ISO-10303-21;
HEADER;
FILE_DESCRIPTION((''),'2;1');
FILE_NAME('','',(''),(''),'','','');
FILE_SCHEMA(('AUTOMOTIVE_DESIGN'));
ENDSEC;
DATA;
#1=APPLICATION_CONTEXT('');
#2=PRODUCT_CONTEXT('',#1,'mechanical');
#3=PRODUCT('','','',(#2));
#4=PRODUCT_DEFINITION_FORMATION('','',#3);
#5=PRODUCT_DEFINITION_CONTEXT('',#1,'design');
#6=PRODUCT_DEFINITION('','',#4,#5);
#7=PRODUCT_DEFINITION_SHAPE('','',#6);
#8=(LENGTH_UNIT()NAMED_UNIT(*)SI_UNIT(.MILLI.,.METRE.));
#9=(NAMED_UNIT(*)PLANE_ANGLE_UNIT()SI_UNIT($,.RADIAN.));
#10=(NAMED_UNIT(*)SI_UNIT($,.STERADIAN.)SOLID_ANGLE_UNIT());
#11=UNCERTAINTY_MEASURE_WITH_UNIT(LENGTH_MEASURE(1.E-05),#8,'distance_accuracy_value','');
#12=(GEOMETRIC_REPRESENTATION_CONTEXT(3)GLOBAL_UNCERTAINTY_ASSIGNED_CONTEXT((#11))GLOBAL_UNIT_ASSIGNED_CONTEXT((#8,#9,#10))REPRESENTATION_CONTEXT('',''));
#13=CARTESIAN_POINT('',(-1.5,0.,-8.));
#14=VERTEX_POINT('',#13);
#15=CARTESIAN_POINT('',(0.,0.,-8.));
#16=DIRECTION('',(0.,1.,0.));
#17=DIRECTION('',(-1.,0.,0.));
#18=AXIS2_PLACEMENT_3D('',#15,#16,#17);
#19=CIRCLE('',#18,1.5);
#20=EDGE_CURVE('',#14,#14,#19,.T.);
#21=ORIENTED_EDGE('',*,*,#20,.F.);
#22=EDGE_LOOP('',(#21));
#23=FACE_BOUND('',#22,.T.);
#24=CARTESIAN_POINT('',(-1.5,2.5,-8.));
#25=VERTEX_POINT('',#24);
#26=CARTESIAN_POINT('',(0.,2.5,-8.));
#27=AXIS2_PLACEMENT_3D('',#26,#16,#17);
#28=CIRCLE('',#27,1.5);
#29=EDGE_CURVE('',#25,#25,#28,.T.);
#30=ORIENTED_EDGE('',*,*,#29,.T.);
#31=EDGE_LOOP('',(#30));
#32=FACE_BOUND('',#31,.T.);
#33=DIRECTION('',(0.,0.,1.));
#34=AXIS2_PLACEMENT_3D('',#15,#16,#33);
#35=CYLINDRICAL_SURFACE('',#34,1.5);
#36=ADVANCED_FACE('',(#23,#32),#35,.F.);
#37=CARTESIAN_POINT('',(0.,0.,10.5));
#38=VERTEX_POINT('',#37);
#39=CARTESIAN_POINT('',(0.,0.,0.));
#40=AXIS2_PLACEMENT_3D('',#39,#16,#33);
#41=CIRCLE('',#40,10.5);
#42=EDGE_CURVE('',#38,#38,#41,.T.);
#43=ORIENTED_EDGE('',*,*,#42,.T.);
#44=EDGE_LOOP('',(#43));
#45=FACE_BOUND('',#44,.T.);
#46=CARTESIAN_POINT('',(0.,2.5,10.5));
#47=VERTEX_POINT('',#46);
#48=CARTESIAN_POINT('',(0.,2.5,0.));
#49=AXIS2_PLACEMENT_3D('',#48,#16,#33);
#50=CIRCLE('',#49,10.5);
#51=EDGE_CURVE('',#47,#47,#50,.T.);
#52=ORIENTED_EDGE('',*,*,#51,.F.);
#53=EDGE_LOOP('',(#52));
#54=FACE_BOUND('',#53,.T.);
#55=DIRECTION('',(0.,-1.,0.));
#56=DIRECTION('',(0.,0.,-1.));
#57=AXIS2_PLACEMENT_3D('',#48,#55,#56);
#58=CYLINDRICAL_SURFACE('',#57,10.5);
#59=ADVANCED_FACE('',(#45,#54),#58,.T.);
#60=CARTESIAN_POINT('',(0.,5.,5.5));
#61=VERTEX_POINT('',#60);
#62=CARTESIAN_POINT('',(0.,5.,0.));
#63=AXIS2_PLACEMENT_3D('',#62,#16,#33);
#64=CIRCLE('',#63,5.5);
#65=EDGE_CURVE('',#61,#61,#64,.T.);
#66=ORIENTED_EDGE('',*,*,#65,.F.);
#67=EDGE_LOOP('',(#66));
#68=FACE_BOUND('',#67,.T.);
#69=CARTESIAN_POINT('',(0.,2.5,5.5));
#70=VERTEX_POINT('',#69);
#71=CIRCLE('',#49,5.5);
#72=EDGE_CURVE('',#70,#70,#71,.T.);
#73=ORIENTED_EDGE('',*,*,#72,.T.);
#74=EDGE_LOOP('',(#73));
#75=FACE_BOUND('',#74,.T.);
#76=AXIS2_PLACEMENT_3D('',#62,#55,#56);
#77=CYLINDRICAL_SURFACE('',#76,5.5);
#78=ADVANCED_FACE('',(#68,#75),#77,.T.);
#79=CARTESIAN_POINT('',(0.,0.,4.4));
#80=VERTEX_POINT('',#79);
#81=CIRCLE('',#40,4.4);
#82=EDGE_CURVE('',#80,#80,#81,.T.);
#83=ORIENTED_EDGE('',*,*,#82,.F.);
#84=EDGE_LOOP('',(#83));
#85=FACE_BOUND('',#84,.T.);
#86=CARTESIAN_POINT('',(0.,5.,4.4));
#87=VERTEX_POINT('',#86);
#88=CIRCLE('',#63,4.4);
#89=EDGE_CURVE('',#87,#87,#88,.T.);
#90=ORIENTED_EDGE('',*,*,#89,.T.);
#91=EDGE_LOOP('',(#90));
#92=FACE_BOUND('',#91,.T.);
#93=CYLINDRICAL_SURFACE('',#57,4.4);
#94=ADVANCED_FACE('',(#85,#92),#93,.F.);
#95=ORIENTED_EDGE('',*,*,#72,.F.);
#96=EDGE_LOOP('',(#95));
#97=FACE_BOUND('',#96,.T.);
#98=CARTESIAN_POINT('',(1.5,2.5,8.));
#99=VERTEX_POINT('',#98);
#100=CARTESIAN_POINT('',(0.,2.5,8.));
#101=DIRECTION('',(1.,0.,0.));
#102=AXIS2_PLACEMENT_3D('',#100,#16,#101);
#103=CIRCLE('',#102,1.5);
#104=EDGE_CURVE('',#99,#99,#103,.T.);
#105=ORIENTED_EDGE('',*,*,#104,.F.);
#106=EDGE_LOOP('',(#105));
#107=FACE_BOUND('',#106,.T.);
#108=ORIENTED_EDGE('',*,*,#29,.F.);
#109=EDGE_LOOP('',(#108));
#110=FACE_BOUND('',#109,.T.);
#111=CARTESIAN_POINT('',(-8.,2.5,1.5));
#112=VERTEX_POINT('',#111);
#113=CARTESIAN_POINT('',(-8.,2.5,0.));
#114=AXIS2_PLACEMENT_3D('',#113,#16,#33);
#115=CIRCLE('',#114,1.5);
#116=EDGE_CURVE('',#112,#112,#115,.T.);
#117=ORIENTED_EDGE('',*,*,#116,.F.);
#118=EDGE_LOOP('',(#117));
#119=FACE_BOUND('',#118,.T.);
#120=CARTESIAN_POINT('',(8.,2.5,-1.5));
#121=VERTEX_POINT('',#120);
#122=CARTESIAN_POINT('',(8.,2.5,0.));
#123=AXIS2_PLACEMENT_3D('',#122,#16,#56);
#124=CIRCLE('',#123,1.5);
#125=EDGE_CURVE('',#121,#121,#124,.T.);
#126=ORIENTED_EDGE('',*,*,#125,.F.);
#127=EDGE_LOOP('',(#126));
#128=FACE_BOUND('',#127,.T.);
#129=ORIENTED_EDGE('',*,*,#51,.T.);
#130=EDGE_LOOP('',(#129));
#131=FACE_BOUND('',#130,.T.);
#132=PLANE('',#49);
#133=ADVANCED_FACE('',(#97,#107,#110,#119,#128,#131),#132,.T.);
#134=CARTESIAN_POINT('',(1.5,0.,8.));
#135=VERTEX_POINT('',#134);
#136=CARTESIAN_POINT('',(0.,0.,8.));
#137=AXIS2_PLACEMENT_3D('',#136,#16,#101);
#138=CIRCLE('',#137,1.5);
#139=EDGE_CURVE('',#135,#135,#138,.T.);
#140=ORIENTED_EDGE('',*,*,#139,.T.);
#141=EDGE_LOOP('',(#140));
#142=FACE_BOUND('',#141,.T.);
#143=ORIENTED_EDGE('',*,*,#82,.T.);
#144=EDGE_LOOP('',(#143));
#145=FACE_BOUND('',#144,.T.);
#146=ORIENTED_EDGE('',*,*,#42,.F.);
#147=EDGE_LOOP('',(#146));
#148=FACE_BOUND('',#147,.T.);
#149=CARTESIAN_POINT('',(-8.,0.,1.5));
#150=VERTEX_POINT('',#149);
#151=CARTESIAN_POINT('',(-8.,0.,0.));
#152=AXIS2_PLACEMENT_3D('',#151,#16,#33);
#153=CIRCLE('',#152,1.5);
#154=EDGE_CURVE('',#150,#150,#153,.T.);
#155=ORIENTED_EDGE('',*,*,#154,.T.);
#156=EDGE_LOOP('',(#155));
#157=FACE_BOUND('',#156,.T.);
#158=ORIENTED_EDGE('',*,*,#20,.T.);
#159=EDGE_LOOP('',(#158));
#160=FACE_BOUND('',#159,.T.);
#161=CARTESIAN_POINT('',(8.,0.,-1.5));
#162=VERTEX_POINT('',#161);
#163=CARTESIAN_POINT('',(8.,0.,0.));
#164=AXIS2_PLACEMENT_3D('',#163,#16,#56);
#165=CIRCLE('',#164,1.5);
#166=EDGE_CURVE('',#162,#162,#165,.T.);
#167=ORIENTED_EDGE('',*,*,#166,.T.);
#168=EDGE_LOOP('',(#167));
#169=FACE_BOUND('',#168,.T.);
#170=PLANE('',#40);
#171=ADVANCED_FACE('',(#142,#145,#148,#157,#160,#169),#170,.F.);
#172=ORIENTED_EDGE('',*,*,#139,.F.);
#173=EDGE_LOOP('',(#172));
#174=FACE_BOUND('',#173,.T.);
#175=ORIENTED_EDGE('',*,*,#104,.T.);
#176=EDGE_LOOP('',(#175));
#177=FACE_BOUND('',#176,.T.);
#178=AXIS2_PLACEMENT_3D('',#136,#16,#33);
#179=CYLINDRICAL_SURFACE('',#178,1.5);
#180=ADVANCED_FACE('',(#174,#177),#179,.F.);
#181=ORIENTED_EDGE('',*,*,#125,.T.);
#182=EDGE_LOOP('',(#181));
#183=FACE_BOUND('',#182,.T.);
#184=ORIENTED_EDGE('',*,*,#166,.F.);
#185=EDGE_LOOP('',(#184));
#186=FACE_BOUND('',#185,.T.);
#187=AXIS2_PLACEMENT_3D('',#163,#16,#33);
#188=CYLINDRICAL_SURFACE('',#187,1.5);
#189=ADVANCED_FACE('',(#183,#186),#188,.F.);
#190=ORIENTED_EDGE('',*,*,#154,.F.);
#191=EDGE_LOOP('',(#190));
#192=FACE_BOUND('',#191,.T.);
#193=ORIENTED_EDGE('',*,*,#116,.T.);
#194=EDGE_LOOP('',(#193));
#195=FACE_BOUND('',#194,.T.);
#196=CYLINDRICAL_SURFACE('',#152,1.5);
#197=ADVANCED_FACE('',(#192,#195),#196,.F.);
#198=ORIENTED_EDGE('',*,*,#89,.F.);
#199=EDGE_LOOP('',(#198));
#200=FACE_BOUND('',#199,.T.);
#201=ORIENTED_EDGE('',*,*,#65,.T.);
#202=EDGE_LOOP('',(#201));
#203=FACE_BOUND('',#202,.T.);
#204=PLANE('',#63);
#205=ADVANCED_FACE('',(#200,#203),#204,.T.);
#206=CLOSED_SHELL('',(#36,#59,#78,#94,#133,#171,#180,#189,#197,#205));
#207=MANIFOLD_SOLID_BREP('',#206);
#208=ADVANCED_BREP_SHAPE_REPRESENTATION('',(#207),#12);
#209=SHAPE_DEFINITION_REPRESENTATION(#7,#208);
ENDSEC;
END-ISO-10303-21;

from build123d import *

# Parameters (mm, degrees)
SKETCH_1_R               = 10.5
SKETCH_1_R_2             = 4.4
EXTRUDE_1_DEPTH          = 2.5
SKETCH_2_R               = 5.5
SKETCH_2_R_2             = 4.4
EXTRUDE_2_DEPTH          = 2.5
SKETCH_3_R               = 1.5
CUT_EXTRUDE_1_DEPTH      = 3.5
PATTERN_CIRCULAR_2_COUNT = 4


with BuildPart() as part:
    # Эскиз1 → Бобышка-Вытянуть1 (new body)
    with BuildSketch(Plane(origin=(0, 0, 0), x_dir=(1, 0, 0), z_dir=(0, 1, 0))):
        Circle(SKETCH_1_R)
        Circle(SKETCH_1_R_2, mode=Mode.SUBTRACT)
    extrude(amount=EXTRUDE_1_DEPTH)

    # Эскиз2 → Бобышка-Вытянуть2 (add)
    with BuildSketch(Plane(origin=(0, 2.5, 0), x_dir=(1, 0, 0), z_dir=(0, 1, 0))):
        Circle(SKETCH_2_R)
        Circle(SKETCH_2_R_2, mode=Mode.SUBTRACT)
    extrude(amount=EXTRUDE_2_DEPTH)

    # Эскиз3 → Вырез-Вытянуть1 (cut, through all)
    with BuildSketch(Plane(origin=(0, 2.5, 0), x_dir=(1, 0, 0), z_dir=(0, 1, 0))):
        with Locations((-8, 0)):
            Circle(SKETCH_3_R)
    cut_extrude_1 = extrude(amount=-CUT_EXTRUDE_1_DEPTH, mode=Mode.SUBTRACT)

    # Круговой массив2: Вырез-Вытянуть1 ×4 about axis
    pattern_circular_2_axis = Axis((0, 0, 0), (0, 1, 0))
    for i in range(1, PATTERN_CIRCULAR_2_COUNT):
        add(cut_extrude_1.rotate(pattern_circular_2_axis, i * 360 / PATTERN_CIRCULAR_2_COUNT), mode=Mode.SUBTRACT)


solid = part.part
